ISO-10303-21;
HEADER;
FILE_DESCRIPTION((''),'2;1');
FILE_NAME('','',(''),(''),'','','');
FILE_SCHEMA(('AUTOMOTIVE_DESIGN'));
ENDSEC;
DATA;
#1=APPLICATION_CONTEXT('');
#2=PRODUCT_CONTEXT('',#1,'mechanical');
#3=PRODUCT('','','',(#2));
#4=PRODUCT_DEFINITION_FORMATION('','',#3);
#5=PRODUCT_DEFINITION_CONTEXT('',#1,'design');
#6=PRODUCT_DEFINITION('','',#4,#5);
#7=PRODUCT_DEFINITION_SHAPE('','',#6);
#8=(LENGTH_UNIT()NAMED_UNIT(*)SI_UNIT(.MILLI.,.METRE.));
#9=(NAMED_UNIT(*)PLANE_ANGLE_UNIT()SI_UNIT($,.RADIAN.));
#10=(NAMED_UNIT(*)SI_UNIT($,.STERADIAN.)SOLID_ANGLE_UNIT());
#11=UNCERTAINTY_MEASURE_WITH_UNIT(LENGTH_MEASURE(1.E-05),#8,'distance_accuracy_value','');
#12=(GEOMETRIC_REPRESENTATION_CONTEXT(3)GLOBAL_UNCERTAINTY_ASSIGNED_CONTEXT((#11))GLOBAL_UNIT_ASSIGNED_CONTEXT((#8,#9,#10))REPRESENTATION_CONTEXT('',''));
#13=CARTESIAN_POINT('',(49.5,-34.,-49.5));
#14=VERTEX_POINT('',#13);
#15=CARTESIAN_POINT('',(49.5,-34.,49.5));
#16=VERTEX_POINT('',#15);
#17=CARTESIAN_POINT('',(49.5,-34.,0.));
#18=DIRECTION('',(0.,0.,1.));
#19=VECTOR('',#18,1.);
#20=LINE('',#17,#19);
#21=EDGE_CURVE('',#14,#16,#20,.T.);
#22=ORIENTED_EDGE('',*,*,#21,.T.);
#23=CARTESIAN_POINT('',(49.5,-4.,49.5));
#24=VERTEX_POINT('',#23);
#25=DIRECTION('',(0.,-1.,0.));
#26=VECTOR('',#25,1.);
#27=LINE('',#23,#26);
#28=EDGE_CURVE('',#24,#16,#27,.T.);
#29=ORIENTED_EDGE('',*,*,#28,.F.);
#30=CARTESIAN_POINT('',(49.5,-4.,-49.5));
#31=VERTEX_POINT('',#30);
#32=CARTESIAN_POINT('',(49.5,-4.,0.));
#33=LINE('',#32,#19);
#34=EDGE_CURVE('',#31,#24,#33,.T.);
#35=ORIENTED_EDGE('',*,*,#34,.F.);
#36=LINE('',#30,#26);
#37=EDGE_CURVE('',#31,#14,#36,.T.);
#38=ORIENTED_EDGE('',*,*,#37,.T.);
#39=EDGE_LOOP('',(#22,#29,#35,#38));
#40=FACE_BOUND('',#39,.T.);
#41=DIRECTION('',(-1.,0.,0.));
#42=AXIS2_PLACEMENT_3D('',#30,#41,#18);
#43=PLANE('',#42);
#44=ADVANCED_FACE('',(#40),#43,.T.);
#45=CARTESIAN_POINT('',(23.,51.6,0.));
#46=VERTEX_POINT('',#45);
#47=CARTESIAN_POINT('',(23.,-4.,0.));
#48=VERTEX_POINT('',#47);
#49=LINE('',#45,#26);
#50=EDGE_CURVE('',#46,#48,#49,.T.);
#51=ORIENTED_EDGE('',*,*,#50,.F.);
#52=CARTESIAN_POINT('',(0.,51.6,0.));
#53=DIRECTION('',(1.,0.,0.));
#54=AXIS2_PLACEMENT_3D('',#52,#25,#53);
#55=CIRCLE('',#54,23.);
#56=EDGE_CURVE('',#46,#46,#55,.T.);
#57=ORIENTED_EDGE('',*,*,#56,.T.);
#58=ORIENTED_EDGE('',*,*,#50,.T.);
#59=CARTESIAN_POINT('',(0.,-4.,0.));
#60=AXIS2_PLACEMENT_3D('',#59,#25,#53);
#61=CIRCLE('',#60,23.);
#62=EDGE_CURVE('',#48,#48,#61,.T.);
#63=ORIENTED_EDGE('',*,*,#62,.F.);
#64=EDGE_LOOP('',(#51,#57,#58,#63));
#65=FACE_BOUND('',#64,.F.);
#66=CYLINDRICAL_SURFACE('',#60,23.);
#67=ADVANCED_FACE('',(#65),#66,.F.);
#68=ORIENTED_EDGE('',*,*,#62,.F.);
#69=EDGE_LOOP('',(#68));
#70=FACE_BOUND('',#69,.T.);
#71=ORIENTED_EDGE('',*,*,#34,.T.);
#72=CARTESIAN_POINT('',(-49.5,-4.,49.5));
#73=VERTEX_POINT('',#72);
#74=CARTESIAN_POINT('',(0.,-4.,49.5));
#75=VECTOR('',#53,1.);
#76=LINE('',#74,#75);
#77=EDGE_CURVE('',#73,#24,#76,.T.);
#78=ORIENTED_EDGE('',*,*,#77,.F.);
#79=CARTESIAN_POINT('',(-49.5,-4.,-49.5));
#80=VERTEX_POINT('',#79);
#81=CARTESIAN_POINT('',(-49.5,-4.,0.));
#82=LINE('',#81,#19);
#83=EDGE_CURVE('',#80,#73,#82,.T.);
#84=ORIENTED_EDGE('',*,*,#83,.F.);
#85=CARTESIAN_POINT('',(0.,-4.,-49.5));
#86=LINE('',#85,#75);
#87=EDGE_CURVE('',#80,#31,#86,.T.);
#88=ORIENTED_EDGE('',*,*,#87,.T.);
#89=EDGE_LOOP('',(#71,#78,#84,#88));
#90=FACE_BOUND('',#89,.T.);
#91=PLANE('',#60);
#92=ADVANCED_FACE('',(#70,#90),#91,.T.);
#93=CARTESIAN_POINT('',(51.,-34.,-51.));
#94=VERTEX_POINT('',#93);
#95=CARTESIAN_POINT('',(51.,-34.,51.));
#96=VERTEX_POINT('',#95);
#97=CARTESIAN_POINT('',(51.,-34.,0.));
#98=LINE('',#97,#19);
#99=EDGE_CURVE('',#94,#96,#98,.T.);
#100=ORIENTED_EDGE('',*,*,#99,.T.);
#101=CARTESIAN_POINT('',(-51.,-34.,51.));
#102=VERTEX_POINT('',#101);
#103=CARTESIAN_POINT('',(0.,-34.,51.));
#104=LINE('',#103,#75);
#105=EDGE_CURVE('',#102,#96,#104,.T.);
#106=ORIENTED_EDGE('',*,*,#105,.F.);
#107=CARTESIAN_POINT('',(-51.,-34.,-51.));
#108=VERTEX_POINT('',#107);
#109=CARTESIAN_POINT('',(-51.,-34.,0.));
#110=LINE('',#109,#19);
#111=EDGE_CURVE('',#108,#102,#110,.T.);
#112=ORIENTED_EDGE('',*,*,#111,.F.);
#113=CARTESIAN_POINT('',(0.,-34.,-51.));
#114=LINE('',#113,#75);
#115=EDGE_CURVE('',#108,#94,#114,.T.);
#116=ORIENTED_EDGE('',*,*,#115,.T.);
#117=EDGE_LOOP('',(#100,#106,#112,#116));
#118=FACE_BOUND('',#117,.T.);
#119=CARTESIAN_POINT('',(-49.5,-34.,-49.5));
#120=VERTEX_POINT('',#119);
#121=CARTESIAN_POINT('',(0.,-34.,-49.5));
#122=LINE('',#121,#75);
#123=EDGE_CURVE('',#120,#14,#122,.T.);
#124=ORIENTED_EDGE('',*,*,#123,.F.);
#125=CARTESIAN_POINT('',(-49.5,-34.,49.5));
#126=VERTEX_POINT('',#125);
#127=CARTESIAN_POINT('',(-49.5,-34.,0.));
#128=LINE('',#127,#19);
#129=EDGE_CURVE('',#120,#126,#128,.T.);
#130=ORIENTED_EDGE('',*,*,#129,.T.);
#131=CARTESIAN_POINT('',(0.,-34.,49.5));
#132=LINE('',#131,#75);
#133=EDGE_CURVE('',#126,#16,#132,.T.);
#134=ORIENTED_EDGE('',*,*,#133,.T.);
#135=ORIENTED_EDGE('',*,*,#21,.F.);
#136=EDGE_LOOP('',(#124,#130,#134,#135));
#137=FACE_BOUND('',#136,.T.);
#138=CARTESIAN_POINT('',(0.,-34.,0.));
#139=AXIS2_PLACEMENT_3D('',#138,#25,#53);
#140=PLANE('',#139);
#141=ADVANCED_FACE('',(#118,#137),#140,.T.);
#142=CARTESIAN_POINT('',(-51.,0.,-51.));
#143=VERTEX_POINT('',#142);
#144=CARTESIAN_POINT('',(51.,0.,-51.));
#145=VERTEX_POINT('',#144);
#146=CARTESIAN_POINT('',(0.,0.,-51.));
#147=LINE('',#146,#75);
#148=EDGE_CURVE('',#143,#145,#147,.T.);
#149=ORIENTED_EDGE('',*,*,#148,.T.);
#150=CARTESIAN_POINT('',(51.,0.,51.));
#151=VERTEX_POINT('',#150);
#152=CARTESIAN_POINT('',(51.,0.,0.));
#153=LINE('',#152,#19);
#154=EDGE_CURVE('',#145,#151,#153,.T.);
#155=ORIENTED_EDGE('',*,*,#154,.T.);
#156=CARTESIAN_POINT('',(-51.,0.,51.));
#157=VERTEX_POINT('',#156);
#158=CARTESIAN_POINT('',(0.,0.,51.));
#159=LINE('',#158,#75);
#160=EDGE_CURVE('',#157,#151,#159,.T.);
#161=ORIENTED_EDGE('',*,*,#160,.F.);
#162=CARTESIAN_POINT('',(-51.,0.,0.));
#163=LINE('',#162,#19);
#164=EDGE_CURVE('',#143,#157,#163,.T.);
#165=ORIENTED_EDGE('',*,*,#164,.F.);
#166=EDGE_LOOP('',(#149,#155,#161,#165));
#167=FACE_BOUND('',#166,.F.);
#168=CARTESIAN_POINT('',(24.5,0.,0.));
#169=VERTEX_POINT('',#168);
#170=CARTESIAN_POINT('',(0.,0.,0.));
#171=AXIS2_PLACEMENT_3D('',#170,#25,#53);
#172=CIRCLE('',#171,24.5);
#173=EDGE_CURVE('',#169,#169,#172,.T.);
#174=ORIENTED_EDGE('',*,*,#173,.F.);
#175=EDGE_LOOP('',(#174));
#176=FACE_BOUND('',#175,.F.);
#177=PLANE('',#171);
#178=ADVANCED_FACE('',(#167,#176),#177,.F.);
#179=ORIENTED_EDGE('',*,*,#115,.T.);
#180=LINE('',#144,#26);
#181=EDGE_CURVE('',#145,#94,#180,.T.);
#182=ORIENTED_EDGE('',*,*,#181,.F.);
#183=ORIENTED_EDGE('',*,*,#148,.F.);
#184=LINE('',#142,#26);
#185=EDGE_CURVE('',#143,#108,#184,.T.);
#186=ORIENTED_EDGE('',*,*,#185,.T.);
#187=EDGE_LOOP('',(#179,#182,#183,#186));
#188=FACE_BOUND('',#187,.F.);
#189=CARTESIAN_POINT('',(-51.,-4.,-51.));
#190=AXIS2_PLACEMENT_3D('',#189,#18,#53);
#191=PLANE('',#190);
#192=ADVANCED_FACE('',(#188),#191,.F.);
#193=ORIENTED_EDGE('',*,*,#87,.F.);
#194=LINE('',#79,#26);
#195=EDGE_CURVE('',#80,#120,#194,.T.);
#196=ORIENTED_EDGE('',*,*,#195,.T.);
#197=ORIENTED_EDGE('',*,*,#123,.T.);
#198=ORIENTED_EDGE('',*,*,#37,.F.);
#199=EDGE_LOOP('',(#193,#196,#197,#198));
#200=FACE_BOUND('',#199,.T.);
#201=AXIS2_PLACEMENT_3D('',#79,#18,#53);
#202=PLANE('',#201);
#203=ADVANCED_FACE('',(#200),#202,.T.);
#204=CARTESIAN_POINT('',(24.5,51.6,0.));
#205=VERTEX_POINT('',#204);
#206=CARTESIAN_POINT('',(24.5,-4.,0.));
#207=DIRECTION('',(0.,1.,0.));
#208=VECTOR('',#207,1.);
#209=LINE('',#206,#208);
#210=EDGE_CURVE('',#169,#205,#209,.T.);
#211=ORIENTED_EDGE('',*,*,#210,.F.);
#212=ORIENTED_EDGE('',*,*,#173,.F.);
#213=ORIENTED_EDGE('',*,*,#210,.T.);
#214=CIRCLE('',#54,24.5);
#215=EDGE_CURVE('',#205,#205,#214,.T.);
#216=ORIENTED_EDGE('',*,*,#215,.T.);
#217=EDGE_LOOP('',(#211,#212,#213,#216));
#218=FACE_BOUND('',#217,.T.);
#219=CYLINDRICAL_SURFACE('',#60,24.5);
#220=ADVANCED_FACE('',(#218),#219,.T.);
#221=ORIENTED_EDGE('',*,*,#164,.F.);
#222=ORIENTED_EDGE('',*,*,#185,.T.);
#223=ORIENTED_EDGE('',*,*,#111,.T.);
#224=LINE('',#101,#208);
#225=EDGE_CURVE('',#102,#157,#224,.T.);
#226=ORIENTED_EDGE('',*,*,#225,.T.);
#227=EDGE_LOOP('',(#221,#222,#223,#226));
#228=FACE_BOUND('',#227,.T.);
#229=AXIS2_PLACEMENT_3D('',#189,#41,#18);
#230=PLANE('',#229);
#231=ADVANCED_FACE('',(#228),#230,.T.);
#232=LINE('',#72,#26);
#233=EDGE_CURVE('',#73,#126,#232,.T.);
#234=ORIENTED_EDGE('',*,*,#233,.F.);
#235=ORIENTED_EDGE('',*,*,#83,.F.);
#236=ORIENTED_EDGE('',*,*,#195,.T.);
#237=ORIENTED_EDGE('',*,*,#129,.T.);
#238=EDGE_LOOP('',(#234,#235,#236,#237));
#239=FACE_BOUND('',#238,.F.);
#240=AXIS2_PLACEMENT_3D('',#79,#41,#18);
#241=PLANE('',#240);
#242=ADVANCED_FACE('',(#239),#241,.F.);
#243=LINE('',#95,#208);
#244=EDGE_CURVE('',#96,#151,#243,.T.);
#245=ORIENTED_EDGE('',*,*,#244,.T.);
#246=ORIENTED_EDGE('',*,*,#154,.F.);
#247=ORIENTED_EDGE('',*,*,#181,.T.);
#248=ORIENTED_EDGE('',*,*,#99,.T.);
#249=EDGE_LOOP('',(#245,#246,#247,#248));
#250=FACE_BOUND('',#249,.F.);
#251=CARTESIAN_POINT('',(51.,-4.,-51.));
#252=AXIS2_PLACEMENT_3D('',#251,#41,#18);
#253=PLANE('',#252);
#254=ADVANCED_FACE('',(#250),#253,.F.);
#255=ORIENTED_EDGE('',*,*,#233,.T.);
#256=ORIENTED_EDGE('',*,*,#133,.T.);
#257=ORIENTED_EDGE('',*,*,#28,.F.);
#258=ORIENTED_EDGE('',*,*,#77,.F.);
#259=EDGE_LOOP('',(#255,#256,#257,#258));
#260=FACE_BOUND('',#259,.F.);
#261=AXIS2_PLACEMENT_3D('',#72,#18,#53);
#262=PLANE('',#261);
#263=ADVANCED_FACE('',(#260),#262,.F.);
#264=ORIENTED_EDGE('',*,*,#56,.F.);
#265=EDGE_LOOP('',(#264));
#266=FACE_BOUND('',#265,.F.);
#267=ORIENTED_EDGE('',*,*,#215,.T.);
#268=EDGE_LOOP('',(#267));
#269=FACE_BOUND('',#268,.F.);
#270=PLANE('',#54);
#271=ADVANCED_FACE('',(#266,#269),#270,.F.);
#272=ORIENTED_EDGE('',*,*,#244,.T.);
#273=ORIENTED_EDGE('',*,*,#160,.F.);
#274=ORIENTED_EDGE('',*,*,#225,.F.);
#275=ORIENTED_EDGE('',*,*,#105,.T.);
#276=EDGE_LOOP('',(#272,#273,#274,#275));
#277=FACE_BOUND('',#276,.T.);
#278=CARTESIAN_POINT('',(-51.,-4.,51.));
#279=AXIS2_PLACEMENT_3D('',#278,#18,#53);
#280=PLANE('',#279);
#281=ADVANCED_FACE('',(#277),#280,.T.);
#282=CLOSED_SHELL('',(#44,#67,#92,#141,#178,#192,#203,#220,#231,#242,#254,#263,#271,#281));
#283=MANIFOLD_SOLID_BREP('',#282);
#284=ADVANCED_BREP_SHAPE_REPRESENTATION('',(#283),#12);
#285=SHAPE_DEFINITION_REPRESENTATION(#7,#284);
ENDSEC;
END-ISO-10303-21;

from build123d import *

# Parameters (mm, degrees)
F0_W          = 102
F0_H          = 102
F0_W_2        = 96
F0_H_2        = 96
F1_DEPTH      = 4
F2_W          = 102
F2_H          = 102
F2_W_2        = 99
F2_H_2        = 99
F3_DEPTH      = 30
F3_DEPTH_BACK = 4
F4_R          = 23
F5_DEPTH      = 25
F6_R          = 24.5
F6_R_2        = 23
F7_DEPTH      = 55.6


with BuildPart() as f1:
    # F0 (on Front) → F1 (new body)
    with BuildSketch(Plane.XZ):
        Rectangle(F0_W, F0_H)
        Rectangle(F0_W_2, F0_H_2, mode=Mode.SUBTRACT)
        Rectangle(F0_W_2, F0_H_2)
    extrude(amount=F1_DEPTH)

    # F2 (on face) → F3 (join, two sides)
    with BuildSketch(Plane.XZ.offset(4)) as f3_sk:
        Rectangle(F2_W, F2_H)
        Rectangle(F2_W_2, F2_H_2, mode=Mode.SUBTRACT)
    extrude(amount=F3_DEPTH)
    extrude(f3_sk.sketch, amount=-F3_DEPTH_BACK)

    # F4 (on face) → F5 (cut)
    with BuildSketch(Plane.XZ.offset(4)):
        Circle(F4_R)
    extrude(amount=-F5_DEPTH, mode=Mode.SUBTRACT)

    # F6 (on face) → F7 (join)
    with BuildSketch(Plane.XZ.offset(4)):
        Circle(F6_R)
        Circle(F6_R_2, mode=Mode.SUBTRACT)
    extrude(amount=-F7_DEPTH)


solid = f1.part
